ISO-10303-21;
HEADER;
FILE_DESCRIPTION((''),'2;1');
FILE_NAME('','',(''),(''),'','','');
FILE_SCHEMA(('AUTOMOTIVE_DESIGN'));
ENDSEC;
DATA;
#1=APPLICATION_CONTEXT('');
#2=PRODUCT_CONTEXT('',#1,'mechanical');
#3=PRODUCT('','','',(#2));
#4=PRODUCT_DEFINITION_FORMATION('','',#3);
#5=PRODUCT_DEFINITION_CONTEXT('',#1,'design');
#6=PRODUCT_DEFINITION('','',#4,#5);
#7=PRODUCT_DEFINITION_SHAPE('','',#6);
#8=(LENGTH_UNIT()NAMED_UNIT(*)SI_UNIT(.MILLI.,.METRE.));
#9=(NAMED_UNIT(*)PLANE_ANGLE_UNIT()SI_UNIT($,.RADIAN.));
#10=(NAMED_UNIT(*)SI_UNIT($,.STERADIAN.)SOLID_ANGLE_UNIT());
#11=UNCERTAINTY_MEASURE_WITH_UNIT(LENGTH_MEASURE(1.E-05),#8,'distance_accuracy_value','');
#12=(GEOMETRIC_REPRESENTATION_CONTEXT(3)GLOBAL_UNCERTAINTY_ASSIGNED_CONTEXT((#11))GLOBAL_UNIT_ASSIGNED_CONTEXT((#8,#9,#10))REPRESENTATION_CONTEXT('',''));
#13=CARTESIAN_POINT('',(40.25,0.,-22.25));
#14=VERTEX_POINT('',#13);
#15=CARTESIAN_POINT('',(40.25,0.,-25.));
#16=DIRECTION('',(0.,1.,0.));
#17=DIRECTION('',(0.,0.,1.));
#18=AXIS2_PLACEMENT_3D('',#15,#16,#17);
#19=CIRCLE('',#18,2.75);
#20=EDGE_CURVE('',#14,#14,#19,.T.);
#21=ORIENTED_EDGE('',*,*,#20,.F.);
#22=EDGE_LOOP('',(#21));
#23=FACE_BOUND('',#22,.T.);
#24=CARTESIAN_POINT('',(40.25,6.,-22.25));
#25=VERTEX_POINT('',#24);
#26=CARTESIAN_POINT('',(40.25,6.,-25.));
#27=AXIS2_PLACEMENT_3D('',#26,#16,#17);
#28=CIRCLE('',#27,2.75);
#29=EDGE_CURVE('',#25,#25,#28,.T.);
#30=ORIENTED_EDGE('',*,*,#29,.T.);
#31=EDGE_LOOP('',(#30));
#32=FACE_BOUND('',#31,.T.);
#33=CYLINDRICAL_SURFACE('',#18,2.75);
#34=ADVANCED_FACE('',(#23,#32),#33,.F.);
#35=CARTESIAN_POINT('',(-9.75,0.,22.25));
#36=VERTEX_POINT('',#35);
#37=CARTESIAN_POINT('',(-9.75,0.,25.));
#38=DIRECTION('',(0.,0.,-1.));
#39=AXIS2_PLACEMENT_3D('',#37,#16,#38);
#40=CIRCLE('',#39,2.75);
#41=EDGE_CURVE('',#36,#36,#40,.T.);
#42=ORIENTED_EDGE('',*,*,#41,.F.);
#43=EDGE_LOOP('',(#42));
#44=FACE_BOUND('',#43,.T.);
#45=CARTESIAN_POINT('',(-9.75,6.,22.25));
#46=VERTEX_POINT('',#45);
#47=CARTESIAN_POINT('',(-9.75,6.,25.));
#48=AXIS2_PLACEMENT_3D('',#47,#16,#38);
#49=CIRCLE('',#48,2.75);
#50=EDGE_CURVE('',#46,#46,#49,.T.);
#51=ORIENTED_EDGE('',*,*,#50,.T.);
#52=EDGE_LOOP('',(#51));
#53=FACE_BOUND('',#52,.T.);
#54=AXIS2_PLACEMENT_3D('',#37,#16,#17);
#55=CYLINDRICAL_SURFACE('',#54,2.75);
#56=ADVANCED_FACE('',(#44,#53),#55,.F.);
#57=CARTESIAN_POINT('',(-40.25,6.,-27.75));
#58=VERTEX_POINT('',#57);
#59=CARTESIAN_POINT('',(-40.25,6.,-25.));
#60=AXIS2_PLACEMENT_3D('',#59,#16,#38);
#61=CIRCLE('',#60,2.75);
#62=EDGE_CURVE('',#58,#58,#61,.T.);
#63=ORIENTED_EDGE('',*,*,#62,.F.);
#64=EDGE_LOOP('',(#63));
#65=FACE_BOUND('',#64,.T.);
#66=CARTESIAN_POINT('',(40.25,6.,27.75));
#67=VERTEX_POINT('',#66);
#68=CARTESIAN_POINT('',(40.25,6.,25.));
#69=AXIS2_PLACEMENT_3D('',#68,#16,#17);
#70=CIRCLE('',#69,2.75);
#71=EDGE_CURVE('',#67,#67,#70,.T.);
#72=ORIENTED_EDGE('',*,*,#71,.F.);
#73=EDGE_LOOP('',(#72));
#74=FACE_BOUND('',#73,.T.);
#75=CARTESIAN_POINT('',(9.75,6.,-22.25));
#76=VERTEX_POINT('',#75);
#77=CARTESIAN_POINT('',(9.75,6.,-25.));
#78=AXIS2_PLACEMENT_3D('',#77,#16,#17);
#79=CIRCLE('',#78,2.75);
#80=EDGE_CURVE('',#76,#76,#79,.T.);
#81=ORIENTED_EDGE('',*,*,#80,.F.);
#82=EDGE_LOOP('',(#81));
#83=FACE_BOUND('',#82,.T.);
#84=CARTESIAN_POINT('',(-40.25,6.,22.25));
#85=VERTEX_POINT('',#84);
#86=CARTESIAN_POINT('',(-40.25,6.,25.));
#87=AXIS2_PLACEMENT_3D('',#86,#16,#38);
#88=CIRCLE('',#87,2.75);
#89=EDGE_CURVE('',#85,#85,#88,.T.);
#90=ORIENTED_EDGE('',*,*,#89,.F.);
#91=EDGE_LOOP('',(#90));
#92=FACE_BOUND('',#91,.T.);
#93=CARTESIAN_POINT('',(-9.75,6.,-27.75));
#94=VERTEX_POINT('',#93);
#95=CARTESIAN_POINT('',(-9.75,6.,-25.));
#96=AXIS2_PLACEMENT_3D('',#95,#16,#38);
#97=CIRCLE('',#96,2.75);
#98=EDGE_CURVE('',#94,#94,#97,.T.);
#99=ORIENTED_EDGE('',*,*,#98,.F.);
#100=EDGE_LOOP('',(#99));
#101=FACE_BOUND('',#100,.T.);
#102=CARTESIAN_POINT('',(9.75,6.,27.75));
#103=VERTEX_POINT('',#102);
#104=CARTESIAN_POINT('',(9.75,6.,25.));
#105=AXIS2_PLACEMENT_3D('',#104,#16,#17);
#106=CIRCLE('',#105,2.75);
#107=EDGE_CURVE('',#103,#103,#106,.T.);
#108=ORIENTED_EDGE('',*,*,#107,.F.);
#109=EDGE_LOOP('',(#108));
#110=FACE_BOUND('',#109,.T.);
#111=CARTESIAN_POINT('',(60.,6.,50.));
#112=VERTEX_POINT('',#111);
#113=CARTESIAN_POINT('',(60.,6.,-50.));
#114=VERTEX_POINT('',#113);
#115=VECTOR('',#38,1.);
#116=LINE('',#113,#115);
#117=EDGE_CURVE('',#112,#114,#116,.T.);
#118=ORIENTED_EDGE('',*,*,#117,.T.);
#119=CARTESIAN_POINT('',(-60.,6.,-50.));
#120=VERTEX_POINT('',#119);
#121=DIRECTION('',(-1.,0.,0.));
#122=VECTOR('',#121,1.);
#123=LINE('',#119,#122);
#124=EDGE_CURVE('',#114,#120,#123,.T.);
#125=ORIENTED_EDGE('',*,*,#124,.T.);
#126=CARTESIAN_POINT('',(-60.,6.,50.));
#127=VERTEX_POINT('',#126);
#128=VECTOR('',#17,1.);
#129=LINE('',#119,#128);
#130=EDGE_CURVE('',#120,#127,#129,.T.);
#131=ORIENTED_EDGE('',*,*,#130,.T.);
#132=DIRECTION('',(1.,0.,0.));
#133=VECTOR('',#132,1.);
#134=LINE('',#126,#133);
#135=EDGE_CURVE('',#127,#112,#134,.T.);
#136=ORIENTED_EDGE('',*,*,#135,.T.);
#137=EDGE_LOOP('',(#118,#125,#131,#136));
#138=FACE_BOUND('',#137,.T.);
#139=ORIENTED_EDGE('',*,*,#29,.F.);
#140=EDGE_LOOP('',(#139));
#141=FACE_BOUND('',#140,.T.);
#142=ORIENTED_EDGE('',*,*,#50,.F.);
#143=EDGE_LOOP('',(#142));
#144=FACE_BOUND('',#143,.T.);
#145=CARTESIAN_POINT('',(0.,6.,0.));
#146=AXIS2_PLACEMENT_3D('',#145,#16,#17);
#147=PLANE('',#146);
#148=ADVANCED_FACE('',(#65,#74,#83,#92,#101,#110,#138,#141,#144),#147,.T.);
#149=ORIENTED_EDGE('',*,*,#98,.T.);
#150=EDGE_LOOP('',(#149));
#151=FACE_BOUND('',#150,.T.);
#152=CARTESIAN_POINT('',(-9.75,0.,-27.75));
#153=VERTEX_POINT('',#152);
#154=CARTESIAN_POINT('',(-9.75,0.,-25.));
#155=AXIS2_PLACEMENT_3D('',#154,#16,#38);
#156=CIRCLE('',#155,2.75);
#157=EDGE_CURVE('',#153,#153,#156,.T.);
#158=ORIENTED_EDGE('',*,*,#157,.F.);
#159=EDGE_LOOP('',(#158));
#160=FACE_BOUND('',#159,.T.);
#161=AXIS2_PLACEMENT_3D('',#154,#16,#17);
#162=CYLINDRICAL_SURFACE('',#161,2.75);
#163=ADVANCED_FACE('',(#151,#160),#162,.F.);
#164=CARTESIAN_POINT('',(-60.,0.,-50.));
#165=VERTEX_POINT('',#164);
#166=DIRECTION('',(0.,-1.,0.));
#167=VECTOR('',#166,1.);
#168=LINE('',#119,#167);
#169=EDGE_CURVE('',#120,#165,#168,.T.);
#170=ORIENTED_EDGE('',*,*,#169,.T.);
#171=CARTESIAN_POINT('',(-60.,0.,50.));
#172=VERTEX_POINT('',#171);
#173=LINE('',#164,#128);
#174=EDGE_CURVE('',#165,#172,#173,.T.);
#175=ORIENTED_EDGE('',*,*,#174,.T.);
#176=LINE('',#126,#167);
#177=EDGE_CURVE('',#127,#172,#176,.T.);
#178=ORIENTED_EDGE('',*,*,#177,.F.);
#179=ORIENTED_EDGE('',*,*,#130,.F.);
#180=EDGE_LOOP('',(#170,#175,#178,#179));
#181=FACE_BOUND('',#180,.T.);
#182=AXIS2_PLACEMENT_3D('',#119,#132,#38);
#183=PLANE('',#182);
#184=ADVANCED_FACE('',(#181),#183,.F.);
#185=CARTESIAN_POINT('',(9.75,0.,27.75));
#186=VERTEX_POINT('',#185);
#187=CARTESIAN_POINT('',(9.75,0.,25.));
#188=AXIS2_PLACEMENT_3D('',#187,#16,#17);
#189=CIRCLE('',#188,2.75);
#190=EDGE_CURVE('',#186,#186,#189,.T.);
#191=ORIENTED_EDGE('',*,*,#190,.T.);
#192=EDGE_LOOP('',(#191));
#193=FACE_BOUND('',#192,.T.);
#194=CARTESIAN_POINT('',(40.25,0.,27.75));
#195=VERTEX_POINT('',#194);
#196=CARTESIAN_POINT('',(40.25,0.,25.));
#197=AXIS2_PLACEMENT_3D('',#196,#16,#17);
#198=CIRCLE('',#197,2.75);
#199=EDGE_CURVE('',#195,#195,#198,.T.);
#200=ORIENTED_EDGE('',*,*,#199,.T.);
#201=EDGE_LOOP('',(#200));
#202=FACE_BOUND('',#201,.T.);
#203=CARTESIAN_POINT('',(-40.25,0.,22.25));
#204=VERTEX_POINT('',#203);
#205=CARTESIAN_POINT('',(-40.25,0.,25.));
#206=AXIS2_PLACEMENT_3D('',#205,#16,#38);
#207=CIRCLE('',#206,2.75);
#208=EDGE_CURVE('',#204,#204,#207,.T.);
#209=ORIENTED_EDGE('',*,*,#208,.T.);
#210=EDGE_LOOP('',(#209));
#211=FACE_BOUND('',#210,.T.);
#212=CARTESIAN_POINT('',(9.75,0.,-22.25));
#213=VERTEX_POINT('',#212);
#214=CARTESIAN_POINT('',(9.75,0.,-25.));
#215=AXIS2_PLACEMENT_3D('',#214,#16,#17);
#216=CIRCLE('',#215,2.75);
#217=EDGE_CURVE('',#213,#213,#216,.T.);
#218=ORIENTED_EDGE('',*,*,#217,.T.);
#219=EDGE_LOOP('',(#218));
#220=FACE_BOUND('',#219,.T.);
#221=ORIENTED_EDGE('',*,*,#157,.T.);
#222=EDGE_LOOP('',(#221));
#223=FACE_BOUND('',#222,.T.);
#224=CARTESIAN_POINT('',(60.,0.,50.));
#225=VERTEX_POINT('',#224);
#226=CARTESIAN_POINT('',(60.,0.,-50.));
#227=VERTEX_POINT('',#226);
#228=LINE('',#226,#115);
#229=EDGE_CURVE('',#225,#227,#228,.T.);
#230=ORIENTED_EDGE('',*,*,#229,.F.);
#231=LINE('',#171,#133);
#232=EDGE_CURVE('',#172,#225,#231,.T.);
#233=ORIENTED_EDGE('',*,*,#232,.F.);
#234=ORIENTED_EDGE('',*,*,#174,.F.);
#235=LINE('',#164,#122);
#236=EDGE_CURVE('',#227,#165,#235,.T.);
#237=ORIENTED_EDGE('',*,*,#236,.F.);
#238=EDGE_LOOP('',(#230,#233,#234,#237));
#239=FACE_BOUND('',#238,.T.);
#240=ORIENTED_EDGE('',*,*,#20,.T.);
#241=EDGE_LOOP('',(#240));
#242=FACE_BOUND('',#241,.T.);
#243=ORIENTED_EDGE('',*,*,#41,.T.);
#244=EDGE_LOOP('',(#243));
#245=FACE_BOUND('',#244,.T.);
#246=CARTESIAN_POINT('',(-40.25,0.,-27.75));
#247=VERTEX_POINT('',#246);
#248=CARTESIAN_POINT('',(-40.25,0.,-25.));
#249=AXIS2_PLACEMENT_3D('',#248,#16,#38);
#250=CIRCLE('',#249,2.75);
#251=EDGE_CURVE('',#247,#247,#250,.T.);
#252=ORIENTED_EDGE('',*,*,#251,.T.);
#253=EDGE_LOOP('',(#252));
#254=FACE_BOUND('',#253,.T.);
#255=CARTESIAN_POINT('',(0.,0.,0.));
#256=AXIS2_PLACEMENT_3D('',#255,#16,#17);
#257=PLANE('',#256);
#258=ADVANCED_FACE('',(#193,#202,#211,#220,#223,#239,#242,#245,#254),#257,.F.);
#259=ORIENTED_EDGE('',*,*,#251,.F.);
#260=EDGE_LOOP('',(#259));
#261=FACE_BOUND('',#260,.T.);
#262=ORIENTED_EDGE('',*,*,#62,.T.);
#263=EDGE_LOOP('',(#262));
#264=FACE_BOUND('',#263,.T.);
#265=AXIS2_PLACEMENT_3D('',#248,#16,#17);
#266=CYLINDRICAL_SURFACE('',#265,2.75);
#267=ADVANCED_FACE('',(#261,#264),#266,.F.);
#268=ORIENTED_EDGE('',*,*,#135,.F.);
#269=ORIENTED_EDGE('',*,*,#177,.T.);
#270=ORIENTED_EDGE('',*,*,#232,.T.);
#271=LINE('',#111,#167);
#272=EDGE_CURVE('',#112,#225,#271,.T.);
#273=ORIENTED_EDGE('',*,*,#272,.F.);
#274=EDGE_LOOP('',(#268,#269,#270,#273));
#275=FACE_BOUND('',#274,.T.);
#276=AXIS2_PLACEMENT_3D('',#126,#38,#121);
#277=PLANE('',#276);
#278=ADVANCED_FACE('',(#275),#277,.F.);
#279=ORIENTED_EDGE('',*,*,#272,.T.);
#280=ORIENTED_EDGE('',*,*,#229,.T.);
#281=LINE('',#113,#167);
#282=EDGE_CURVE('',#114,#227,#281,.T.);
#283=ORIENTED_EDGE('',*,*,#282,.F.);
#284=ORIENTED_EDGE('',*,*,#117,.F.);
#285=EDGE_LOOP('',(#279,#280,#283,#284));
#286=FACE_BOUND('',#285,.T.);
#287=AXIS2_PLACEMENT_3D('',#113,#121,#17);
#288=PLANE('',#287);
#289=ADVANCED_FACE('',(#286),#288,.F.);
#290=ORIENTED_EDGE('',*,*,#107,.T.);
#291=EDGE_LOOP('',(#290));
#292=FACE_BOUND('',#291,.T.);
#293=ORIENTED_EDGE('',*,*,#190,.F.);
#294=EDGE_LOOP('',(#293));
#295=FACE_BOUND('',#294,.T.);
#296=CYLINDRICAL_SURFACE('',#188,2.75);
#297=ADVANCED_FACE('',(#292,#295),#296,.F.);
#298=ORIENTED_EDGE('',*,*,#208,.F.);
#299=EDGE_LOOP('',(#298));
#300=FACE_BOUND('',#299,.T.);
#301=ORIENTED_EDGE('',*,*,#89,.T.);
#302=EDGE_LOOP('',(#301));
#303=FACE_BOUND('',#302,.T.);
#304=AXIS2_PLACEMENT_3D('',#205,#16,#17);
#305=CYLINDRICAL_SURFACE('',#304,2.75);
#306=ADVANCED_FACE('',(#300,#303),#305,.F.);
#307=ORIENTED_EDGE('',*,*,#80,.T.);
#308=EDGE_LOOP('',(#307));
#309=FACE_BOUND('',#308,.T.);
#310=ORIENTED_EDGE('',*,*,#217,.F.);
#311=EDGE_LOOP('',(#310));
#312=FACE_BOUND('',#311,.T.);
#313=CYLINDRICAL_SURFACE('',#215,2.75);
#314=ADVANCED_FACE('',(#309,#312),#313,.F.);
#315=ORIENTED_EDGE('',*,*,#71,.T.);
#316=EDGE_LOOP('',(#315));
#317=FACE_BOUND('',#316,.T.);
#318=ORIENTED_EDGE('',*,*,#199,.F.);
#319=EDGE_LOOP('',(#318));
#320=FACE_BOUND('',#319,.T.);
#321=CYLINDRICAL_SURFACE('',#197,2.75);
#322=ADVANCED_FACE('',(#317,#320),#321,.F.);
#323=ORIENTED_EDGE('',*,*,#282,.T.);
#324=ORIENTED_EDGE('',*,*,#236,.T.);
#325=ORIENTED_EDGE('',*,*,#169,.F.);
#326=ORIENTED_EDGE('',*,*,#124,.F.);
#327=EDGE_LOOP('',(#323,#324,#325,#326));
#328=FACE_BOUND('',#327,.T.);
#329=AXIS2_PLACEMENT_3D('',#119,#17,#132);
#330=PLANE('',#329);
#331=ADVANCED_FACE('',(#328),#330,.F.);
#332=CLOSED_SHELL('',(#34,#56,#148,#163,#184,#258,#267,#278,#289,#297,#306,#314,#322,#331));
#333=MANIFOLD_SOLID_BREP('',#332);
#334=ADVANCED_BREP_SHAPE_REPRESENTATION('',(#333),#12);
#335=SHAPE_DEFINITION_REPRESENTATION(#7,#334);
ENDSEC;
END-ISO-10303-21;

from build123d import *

# Parameters (mm, degrees)
ESBO_O1_W                = 120
ESBO_O1_H                = 100
RESSALTO_EXTRUS_O1_DEPTH = 6
ESBO_O2_R                = 2.75
CORTE_EXTRUS_O1_DEPTH    = 79.33262411


with BuildPart() as part:
    # Esboço1 → Ressalto-extrusão1 (new body)
    with BuildSketch(Plane(origin=(0, 0, 0), x_dir=(1, 0, 0), z_dir=(0, 1, 0))):
        Rectangle(ESBO_O1_W, ESBO_O1_H)
    extrude(amount=RESSALTO_EXTRUS_O1_DEPTH)

    # Esboço2 → Corte-extrusão1 (cut, through all)
    with BuildSketch(Plane(origin=(0, 6, 0), x_dir=(1, 0, 0), z_dir=(0, 1, 0))):
        with Locations(Location((9.75, 25, 0), (0, 0, 270))):
            Circle(ESBO_O2_R)
        with Locations(Location((40.25, 25, 0), (0, 0, 270))):
            Circle(ESBO_O2_R)
        with Locations(Location((9.75, -25, 0), (0, 0, 270))):
            Circle(ESBO_O2_R)
        with Locations(Location((40.25, -25, 0), (0, 0, 270))):
            Circle(ESBO_O2_R)
        with Locations(Location((-40.25, -25, 0), (0, 0, 90))):
            Circle(ESBO_O2_R)
        with Locations(Location((-9.75, -25, 0), (0, 0, 90))):
            Circle(ESBO_O2_R)
        with Locations(Location((-40.25, 25, 0), (0, 0, 90))):
            Circle(ESBO_O2_R)
        with Locations(Location((-9.75, 25, 0), (0, 0, 90))):
            Circle(ESBO_O2_R)
    extrude(amount=-CORTE_EXTRUS_O1_DEPTH, mode=Mode.SUBTRACT)


solid = part.part
